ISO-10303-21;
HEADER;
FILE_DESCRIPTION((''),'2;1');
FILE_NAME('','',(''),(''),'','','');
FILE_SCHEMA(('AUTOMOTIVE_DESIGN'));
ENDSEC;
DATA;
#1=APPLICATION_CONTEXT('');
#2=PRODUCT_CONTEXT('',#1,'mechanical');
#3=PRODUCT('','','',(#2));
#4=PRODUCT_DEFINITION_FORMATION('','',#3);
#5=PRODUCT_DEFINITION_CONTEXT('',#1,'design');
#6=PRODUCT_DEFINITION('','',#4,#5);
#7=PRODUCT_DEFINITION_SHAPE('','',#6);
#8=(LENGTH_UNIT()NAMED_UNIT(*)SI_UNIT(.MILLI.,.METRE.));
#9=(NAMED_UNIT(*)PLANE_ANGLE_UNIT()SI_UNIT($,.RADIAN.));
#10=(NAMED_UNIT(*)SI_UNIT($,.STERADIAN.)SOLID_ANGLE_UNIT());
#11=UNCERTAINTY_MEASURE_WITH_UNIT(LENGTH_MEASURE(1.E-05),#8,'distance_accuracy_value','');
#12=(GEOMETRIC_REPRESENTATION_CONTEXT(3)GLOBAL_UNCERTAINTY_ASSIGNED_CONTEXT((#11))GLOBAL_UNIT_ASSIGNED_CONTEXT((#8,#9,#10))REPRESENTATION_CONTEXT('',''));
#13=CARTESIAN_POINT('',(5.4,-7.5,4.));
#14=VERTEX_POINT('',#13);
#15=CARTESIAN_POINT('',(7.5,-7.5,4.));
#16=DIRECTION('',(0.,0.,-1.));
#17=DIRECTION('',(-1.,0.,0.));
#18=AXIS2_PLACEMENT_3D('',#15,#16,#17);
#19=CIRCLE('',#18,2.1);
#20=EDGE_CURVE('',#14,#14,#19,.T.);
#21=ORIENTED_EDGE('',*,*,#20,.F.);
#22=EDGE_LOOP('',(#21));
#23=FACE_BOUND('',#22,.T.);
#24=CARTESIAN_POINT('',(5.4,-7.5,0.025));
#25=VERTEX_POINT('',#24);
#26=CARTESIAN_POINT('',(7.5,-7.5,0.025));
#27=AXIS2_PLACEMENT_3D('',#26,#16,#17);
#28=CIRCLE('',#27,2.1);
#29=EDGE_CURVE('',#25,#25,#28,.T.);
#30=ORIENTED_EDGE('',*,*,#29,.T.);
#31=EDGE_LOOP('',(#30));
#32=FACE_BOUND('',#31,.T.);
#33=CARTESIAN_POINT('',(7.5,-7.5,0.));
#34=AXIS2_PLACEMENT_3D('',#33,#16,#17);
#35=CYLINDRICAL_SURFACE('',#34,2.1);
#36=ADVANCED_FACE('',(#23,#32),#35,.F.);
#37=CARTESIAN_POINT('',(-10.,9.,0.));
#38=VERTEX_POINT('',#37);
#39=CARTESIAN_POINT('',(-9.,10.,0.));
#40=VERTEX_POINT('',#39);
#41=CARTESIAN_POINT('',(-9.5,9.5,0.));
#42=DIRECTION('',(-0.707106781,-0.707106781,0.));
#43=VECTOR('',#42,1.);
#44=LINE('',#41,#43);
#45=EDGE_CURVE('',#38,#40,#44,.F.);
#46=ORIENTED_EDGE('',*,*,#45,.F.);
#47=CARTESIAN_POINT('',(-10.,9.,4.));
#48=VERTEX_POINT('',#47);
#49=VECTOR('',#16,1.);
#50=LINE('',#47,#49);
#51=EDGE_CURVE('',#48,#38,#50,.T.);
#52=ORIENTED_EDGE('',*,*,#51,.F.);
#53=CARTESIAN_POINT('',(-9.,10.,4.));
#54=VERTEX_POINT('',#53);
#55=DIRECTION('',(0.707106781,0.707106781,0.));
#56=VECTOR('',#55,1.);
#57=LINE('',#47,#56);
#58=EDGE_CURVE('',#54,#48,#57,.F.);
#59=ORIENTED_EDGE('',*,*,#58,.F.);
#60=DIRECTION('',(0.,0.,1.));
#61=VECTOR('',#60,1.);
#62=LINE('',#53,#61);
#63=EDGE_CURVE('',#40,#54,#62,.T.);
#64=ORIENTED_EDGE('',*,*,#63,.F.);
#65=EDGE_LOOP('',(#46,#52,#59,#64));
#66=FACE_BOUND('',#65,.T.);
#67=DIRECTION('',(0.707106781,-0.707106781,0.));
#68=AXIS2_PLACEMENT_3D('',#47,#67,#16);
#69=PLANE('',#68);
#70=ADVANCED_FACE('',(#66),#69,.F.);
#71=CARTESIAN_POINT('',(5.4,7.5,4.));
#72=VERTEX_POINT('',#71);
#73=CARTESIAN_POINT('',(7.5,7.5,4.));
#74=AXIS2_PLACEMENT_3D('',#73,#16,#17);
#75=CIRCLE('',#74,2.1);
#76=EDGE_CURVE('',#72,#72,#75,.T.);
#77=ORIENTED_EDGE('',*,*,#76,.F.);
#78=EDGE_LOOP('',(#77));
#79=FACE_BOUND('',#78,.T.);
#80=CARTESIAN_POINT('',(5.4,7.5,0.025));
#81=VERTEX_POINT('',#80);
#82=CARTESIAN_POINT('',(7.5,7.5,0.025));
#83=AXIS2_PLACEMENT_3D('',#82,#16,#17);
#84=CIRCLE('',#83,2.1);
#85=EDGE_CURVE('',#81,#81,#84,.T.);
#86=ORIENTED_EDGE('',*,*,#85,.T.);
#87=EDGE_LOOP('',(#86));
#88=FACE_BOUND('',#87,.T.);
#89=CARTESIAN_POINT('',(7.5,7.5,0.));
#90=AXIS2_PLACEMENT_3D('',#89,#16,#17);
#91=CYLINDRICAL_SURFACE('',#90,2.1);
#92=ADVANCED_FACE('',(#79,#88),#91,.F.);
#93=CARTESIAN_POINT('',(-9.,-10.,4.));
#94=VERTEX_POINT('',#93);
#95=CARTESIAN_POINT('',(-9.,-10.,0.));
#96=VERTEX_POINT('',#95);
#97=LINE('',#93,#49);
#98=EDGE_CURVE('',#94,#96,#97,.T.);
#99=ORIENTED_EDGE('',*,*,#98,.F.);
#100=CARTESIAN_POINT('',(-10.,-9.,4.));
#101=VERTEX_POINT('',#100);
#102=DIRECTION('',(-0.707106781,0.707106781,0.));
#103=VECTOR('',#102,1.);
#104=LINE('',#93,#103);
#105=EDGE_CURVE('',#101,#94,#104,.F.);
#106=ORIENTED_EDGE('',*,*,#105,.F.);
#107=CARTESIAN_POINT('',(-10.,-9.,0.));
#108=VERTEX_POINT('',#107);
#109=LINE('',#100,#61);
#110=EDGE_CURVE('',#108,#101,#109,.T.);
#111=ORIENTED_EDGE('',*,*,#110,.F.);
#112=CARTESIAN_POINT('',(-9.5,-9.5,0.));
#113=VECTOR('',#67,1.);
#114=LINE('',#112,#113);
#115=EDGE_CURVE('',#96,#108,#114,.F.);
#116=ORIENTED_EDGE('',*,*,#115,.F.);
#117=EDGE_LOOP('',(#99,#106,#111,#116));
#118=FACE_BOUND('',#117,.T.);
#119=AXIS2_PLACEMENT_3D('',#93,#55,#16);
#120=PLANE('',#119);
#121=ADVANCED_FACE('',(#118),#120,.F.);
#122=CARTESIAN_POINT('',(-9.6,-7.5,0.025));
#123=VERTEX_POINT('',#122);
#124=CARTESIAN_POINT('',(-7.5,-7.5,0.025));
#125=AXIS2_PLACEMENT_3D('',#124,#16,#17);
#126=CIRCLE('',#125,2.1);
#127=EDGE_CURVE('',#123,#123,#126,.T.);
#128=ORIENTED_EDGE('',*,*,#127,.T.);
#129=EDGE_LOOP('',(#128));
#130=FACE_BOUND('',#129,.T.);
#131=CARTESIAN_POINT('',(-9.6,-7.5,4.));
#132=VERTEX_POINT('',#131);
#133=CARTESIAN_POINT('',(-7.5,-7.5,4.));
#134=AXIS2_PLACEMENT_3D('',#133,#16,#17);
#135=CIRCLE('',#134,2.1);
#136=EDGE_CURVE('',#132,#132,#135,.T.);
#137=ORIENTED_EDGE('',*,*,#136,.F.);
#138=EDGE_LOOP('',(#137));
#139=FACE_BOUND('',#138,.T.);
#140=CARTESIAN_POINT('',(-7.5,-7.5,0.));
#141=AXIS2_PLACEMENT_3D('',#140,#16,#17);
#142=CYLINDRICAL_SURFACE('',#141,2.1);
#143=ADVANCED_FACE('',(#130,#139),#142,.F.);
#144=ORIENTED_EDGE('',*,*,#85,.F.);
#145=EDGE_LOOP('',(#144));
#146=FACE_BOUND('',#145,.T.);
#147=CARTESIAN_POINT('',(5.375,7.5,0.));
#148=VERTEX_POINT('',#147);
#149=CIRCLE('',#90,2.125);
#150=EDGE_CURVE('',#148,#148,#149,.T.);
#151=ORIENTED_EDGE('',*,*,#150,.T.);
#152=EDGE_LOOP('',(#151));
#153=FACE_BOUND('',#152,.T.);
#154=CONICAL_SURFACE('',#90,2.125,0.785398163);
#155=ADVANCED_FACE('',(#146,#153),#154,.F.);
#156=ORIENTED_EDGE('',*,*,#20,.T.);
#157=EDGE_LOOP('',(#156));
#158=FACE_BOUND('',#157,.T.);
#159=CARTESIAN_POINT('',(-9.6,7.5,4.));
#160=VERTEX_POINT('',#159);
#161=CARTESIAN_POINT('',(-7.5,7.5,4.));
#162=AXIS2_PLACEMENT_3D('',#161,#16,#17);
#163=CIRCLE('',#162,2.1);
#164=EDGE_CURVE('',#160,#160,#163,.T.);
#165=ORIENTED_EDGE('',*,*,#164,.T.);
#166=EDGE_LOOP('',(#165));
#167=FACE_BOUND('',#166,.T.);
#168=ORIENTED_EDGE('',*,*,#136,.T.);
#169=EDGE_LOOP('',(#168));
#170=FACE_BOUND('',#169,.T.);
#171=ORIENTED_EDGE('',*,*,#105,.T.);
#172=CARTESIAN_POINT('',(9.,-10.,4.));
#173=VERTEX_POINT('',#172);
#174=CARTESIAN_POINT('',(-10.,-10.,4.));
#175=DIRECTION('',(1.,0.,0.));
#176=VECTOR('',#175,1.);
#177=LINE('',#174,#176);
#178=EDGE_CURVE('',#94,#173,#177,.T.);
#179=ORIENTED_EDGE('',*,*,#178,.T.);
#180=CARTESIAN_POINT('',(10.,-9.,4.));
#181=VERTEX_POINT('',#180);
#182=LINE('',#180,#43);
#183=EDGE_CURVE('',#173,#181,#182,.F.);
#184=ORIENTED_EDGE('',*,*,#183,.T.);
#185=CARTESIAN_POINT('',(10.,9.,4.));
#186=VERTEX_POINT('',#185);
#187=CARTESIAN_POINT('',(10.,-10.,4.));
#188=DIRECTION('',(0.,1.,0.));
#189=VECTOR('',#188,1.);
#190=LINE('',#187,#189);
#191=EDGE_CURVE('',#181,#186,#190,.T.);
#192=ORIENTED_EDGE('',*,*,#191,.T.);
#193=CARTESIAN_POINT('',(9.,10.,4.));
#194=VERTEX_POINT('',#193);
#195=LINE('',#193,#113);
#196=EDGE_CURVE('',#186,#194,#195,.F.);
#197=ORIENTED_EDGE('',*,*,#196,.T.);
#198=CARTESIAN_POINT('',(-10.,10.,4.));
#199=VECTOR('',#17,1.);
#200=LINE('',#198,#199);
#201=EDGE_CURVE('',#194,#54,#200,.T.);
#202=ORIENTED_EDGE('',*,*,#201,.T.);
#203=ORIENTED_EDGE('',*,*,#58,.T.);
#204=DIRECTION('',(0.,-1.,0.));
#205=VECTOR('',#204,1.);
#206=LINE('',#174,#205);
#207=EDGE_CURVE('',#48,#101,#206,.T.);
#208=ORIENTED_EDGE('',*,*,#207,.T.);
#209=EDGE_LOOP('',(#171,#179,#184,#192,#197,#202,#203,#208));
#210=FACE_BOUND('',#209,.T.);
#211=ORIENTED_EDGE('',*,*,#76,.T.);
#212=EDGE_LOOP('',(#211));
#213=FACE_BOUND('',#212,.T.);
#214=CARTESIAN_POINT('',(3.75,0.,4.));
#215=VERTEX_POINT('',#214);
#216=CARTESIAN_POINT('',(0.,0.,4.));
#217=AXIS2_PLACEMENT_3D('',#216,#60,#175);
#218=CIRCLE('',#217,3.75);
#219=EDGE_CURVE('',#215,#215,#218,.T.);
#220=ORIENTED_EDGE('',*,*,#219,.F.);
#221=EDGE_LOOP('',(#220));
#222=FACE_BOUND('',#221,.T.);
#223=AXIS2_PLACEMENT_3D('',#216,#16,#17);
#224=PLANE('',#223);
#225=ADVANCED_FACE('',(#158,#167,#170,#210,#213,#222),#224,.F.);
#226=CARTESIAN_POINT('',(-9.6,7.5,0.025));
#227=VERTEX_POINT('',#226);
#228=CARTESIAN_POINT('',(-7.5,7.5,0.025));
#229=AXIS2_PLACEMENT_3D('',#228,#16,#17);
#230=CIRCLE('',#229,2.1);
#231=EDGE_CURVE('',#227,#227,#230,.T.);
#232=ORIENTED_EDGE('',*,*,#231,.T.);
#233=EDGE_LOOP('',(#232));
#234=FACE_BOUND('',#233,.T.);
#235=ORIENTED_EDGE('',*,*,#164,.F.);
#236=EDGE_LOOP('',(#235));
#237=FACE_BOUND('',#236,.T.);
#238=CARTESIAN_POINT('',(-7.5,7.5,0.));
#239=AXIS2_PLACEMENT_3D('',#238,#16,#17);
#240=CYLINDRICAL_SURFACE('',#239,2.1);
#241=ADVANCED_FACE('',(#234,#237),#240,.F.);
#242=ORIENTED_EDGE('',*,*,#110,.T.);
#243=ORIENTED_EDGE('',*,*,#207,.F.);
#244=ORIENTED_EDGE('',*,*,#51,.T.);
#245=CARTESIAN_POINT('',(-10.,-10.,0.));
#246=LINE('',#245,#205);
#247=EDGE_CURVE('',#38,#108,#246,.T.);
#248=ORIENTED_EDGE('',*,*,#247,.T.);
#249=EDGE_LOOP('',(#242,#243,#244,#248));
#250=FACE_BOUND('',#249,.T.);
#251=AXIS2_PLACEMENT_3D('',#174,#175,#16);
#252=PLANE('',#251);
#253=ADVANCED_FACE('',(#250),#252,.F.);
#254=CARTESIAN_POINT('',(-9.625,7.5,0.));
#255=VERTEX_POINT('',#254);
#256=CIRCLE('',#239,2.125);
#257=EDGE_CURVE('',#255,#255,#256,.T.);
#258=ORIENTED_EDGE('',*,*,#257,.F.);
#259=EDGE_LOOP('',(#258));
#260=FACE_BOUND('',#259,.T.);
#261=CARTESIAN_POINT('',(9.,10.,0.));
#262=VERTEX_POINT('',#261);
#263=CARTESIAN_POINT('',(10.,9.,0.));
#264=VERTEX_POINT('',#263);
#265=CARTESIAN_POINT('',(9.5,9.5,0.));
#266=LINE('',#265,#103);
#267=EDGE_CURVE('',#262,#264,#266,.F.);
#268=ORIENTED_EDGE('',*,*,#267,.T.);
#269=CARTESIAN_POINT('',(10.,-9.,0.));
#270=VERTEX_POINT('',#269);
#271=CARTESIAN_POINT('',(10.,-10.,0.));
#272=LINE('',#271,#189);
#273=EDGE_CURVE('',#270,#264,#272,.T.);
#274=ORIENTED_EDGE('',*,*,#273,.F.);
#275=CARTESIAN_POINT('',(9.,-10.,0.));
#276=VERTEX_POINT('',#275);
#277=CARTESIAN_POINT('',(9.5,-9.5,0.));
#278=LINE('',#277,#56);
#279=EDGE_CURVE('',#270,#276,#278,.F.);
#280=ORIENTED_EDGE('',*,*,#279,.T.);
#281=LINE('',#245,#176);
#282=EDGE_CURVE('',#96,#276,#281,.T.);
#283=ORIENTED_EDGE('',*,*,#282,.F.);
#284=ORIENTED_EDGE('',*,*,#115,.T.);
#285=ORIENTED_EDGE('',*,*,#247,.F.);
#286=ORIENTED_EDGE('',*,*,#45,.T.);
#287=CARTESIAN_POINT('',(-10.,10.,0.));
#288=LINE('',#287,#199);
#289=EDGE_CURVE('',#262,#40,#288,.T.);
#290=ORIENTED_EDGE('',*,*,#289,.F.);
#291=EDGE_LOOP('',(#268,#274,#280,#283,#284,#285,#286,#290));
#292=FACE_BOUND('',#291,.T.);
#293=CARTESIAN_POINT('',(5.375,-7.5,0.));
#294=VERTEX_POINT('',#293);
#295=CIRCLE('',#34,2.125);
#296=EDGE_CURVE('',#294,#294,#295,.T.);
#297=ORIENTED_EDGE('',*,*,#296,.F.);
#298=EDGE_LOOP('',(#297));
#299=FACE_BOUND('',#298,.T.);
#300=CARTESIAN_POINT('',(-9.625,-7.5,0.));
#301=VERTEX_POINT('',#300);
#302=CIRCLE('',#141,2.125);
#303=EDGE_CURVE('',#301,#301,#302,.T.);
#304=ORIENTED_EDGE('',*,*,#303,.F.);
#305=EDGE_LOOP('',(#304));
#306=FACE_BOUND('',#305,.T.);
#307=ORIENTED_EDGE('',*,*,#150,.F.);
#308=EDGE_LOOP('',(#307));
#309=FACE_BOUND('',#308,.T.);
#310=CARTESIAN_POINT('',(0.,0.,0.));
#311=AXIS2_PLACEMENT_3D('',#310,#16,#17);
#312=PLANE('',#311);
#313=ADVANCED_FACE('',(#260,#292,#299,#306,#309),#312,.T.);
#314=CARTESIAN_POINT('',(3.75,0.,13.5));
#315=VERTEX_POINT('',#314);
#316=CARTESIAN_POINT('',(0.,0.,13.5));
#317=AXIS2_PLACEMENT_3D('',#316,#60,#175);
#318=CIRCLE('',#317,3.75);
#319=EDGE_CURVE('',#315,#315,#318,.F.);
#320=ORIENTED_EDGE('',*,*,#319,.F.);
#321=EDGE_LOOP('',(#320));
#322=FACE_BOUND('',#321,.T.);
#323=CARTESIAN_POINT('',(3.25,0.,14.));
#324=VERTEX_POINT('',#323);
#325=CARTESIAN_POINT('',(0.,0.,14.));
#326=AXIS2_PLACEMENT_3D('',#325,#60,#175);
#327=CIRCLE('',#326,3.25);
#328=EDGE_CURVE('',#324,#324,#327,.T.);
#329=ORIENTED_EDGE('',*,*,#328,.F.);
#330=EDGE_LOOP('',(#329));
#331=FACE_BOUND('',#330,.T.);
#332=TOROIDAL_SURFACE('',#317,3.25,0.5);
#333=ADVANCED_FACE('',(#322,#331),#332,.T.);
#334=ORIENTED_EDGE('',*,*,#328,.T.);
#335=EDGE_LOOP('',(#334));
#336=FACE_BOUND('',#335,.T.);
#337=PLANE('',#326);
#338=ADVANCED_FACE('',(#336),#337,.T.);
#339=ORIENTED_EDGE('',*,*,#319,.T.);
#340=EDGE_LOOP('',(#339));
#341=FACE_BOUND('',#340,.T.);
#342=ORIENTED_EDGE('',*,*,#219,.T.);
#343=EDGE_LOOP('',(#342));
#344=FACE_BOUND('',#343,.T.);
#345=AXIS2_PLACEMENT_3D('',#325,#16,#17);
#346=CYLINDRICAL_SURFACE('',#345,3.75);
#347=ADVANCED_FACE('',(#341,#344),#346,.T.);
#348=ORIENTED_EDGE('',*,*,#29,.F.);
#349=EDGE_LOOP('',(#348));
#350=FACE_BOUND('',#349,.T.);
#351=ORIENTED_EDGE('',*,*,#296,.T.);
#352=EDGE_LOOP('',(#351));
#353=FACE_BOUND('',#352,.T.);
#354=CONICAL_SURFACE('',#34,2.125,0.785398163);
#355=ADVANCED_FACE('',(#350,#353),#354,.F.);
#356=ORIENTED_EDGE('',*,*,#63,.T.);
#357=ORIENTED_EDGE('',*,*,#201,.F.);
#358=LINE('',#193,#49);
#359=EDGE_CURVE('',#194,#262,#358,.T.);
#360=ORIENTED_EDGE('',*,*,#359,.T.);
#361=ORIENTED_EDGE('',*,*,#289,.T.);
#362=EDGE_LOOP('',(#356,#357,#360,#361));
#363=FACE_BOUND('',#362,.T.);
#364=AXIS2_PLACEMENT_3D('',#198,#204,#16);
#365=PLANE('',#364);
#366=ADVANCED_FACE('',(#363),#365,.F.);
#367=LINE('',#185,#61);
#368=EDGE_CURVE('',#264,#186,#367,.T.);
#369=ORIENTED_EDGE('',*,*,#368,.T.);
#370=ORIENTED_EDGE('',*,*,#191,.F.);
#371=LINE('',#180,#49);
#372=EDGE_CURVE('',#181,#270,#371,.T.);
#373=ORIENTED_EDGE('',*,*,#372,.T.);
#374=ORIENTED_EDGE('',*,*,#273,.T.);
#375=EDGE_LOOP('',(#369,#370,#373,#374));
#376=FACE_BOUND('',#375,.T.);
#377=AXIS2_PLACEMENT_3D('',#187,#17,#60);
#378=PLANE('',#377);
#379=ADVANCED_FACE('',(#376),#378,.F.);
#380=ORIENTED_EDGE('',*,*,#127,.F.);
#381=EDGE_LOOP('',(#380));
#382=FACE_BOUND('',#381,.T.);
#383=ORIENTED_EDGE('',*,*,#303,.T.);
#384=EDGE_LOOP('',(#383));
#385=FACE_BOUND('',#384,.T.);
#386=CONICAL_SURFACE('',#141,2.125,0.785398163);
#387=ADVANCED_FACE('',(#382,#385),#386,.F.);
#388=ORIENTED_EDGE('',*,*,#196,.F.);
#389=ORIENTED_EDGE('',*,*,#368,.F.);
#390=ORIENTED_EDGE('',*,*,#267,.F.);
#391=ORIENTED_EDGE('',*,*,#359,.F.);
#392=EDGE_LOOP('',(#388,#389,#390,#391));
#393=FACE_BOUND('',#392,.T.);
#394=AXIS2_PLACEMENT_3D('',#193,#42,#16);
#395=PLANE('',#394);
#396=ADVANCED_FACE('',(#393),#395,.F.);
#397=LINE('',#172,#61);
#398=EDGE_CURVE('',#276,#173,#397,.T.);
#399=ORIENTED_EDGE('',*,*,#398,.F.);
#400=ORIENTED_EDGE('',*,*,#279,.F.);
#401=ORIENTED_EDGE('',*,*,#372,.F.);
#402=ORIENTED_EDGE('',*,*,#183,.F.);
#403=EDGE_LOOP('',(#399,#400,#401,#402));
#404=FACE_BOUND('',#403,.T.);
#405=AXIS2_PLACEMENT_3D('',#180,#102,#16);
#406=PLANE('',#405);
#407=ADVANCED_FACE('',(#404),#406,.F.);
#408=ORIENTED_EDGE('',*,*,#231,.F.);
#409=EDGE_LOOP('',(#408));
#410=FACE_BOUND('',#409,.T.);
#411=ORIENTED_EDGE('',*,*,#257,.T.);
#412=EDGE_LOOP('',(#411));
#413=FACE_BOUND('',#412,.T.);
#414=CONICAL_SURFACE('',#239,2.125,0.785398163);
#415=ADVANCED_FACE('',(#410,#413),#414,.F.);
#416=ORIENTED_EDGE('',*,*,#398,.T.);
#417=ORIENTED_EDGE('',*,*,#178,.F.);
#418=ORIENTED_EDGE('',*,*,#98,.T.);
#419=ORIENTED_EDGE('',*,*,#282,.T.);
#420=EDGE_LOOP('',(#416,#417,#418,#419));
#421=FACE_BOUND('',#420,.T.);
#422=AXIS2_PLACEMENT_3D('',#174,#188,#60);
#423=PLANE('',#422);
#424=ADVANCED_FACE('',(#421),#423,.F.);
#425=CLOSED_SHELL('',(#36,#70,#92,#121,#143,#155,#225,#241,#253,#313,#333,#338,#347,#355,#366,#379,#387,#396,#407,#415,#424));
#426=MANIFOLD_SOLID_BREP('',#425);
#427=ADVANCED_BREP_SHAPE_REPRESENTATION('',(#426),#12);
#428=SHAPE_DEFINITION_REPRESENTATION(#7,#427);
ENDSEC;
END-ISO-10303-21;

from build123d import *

# Parameters (mm, degrees)
SKETCH_1_W                        = 20
SKETCH_1_H                        = 20
EXTRUDE_1_DEPTH                   = 4
SKETCH_2_R                        = 3.75
EXTRUDE_2_DEPTH                   = 10
HOLE_WIZARD_4_2_4_2_1_D           = 4.2
HOLE_WIZARD_4_2_4_2_1_CSINK_D     = 4.25
HOLE_WIZARD_4_2_4_2_1_CSINK_ANGLE = 90
FILLET_1_R                        = 0.5
CHAMFER_1_SIZE                    = 1


with BuildPart() as part:
    # 草图1 → 凸台-拉伸1 (new body)
    with BuildSketch(Plane.XY):
        Rectangle(SKETCH_1_W, SKETCH_1_H)
    extrude(amount=EXTRUDE_1_DEPTH)

    # 草图2 → 凸台-拉伸2 (add)
    with BuildSketch(Plane.XY.offset(4)):
        Circle(SKETCH_2_R)
    extrude(amount=EXTRUDE_2_DEPTH)

    # Ø4.2 (4.2) 直径孔1 (through all)
    with Locations(Plane(origin=(7.5, 7.5, 0), x_dir=(-1, 0, 0), z_dir=(0, 0, -1))):
        with Locations((0, 0), (15, 0), (15, -15), (0, -15)):
            CounterSinkHole(HOLE_WIZARD_4_2_4_2_1_D / 2, HOLE_WIZARD_4_2_4_2_1_CSINK_D / 2, counter_sink_angle=HOLE_WIZARD_4_2_4_2_1_CSINK_ANGLE)

    # 圆角1
    fillet_1_edges = [part.edges().sort_by_distance(p)[0] for p in [
        (-3.75, 0, 14),
    ]]
    fillet(fillet_1_edges, radius=FILLET_1_R)

    # 倒角1
    chamfer_1_edges = [part.edges().sort_by_distance(p)[0] for p in [
        (10, -10, 2),
        (-10, -10, 2),
        (-10, 10, 2),
        (10, 10, 2),
    ]]
    chamfer(chamfer_1_edges, length=CHAMFER_1_SIZE)


solid = part.part
